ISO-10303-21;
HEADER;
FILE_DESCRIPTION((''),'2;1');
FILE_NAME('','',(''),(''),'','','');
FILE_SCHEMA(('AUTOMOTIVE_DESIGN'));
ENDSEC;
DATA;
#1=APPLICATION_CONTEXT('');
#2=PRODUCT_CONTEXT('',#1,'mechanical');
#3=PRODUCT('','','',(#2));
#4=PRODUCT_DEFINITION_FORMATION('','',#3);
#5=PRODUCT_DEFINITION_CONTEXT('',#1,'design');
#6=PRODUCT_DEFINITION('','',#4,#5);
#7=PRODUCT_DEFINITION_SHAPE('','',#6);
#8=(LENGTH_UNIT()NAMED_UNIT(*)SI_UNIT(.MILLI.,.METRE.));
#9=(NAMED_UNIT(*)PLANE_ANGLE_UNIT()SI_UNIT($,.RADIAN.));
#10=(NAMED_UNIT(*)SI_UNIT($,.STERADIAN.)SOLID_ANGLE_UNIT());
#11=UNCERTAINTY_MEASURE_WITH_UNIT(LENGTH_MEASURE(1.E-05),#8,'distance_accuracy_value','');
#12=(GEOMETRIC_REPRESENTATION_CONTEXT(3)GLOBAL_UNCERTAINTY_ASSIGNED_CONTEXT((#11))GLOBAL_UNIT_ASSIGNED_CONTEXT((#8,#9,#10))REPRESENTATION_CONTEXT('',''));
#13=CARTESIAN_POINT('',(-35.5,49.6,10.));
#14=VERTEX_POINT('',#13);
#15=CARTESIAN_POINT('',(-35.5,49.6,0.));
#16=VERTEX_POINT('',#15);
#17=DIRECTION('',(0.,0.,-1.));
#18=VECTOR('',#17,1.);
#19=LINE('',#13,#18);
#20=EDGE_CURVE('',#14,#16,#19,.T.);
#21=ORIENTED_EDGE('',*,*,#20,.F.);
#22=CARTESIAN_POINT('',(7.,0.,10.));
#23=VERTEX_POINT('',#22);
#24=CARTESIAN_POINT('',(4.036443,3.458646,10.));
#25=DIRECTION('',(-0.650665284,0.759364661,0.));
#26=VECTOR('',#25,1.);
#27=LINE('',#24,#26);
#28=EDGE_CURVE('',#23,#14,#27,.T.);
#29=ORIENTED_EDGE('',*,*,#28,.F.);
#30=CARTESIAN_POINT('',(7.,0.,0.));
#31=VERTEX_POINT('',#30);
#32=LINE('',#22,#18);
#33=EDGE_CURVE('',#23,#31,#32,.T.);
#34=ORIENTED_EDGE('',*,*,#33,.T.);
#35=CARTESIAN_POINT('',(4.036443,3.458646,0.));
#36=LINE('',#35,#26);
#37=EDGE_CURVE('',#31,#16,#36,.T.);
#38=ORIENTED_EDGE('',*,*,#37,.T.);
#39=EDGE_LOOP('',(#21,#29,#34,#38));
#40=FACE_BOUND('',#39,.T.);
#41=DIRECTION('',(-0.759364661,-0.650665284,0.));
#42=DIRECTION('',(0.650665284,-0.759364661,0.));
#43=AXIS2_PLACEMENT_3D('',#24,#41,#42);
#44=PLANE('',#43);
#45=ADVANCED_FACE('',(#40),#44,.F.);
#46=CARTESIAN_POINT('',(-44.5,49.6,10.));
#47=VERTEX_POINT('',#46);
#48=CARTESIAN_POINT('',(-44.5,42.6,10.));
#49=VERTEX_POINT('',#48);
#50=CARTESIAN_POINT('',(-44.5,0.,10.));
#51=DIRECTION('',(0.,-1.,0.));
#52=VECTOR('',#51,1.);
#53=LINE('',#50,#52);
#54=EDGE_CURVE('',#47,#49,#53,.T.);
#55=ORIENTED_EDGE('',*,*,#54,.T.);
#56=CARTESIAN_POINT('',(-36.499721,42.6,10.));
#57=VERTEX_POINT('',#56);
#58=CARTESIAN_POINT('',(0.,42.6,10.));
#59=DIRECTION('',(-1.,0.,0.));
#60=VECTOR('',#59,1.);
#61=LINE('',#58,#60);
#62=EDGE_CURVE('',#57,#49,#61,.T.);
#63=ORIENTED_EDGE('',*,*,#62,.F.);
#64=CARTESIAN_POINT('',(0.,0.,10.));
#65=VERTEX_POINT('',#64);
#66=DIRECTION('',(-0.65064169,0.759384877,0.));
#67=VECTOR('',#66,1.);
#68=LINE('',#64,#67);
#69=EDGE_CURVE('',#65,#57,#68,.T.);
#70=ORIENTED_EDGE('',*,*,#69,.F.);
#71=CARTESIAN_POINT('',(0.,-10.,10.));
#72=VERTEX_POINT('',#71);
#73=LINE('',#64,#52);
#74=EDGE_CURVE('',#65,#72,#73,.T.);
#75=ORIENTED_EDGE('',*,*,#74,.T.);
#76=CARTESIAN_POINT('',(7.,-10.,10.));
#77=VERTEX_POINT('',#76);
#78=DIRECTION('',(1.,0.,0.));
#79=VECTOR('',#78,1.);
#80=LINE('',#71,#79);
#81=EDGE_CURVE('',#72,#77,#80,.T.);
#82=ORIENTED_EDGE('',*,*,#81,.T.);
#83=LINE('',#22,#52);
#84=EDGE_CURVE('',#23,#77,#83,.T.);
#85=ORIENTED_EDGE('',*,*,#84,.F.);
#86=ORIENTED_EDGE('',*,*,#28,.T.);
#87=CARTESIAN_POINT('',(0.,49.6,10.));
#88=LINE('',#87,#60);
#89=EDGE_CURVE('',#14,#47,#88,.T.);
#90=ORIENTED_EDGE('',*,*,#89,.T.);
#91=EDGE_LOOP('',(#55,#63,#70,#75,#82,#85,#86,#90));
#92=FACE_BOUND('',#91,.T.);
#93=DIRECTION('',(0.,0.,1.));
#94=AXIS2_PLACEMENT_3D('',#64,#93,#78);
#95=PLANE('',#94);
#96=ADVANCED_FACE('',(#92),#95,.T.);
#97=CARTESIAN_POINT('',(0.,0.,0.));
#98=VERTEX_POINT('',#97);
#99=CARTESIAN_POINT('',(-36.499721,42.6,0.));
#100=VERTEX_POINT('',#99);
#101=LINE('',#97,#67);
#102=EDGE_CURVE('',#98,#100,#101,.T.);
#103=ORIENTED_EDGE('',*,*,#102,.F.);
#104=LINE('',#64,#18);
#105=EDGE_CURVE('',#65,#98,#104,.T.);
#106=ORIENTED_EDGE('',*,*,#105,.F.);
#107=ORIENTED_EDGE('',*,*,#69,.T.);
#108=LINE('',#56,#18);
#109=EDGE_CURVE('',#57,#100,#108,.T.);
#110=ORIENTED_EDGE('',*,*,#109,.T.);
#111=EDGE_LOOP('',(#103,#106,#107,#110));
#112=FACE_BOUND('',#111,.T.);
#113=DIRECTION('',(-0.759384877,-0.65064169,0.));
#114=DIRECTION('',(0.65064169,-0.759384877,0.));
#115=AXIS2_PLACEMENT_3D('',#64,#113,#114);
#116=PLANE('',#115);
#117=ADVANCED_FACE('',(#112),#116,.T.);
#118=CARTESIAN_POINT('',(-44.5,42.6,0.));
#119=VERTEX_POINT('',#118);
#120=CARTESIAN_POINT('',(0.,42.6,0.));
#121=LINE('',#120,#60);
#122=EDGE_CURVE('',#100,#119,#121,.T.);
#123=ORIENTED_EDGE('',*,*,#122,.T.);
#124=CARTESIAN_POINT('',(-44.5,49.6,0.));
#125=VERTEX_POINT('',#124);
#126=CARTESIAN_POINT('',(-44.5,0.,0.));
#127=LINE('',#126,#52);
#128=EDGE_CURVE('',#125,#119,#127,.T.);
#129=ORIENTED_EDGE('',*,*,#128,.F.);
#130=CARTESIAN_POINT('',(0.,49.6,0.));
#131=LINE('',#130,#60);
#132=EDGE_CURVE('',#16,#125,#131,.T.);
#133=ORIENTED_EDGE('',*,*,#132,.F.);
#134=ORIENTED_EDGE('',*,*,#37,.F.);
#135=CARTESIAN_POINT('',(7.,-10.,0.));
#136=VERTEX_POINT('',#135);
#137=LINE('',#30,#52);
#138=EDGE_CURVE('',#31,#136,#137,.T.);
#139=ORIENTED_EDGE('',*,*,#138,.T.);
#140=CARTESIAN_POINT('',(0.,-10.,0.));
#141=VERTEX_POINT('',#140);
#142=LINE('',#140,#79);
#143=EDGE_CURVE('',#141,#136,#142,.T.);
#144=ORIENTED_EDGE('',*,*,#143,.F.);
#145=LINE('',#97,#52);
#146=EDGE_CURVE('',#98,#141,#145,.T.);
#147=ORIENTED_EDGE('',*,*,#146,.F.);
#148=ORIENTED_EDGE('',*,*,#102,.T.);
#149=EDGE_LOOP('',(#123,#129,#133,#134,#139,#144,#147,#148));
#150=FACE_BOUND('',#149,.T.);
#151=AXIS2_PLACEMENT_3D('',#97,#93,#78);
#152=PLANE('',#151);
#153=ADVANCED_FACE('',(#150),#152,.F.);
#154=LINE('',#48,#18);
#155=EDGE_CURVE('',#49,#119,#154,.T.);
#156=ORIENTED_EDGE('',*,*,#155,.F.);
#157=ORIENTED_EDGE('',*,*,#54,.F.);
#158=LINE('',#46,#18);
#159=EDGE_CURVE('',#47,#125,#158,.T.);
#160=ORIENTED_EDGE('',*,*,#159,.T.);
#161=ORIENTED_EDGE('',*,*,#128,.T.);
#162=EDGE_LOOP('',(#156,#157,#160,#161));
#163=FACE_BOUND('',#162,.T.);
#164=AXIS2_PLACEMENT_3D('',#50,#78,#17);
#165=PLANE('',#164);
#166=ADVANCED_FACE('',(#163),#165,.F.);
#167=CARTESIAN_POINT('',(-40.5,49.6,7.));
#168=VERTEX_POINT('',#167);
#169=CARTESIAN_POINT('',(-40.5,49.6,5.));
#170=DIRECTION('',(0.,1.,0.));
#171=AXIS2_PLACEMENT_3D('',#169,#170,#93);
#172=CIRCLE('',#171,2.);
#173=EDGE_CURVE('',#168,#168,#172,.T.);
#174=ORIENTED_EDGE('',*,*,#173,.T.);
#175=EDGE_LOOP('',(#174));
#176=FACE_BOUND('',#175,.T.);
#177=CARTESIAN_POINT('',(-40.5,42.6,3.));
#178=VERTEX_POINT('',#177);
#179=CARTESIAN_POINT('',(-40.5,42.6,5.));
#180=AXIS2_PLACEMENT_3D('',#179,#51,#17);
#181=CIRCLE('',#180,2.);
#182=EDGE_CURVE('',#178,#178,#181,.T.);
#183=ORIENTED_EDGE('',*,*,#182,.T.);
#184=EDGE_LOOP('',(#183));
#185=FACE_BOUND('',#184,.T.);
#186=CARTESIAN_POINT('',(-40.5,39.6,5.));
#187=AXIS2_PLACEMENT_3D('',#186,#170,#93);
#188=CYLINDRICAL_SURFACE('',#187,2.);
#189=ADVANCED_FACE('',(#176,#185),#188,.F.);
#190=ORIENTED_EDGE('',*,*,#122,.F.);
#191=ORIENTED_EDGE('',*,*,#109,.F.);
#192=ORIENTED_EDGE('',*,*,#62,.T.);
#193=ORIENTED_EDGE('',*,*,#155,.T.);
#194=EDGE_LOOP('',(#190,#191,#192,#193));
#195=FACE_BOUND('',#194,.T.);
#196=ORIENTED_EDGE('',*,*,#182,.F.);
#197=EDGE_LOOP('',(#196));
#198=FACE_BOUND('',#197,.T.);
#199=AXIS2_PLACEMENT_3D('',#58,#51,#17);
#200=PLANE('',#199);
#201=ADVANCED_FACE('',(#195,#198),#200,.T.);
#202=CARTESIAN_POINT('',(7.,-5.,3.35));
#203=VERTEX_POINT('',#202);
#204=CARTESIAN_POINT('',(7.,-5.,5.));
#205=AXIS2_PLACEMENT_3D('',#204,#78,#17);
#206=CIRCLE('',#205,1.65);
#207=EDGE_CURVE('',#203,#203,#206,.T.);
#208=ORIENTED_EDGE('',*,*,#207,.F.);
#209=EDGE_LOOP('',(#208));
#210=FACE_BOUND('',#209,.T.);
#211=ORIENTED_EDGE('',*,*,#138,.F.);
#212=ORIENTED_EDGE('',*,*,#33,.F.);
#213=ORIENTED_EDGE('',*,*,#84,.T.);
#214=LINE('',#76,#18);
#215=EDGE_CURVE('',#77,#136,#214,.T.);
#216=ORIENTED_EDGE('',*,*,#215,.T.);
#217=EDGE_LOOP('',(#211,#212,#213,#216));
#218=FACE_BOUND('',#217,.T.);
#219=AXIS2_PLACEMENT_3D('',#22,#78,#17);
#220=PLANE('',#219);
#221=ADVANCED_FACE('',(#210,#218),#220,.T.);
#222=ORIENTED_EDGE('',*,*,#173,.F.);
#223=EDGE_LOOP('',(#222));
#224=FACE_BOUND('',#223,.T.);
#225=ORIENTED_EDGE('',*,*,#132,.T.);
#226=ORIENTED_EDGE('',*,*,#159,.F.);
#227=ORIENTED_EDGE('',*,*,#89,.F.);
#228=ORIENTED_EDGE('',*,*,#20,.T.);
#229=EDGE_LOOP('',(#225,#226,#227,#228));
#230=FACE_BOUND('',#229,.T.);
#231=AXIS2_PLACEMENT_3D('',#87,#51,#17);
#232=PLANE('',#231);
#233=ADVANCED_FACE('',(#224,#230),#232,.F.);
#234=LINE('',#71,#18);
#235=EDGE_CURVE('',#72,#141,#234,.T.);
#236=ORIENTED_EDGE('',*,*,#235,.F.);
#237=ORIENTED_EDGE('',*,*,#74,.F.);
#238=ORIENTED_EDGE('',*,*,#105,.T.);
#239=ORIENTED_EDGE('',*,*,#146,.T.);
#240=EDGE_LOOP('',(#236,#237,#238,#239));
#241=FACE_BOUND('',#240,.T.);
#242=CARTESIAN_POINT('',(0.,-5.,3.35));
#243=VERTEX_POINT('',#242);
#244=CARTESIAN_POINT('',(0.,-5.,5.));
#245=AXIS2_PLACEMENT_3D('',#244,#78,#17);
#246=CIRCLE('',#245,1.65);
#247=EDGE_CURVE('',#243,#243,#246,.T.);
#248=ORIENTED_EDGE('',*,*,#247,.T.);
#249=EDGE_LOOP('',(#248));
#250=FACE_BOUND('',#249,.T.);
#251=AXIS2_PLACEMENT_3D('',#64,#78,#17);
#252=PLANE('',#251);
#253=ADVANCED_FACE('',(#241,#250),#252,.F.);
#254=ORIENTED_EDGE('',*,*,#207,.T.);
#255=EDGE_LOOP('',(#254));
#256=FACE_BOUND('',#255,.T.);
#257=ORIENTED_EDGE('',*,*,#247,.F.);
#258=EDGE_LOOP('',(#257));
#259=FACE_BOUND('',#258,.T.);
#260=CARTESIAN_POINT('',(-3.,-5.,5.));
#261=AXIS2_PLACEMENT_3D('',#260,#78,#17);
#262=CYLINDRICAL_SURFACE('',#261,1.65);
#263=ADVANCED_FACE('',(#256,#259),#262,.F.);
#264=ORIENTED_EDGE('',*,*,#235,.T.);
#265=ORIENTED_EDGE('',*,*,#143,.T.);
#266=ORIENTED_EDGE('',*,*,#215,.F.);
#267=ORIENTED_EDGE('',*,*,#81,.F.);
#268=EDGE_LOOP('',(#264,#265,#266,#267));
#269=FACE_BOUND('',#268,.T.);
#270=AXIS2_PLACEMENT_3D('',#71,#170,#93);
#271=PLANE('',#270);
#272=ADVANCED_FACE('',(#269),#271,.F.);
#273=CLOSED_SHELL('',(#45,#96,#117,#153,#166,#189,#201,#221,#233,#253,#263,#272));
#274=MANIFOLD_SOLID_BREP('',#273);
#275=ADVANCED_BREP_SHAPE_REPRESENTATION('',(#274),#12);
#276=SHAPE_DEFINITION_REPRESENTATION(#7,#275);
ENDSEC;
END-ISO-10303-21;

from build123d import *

# Parameters (mm, degrees)
SALIENTE_EXTRUIR1_DEPTH = 10
CROQUIS3_R              = 2
CORTAR_EXTRUIR2_DEPTH   = 10
CROQUIS4_R              = 1.65
CORTAR_EXTRUIR3_DEPTH   = 10


with BuildPart() as part:
    # Croquis1 → Saliente-Extruir1 (new body)
    with BuildSketch(Plane.XY):
        Polygon((-36.499720763, 42.6), (0, 0), (0, -10), (7, -10), (7, 0), (-35.5, 49.6), (-44.5, 49.6), (-44.5, 42.6), align=None)
    extrude(amount=SALIENTE_EXTRUIR1_DEPTH)

    # Croquis3 → Cortar-Extruir2 (cut)
    with BuildSketch(Plane(origin=(0, 49.6, 0), x_dir=(1, 0, 0), z_dir=(0, 1, 0))):
        with Locations(Location((-40.5, -5, 0), (0, 0, 270))):
            Circle(CROQUIS3_R)
    extrude(amount=-CORTAR_EXTRUIR2_DEPTH, mode=Mode.SUBTRACT)

    # Croquis4 → Cortar-Extruir3 (cut)
    with BuildSketch(Plane(origin=(7, 0, 0), x_dir=(0, 0, -1), z_dir=(1, 0, 0))):
        with Locations((-5, -5)):
            Circle(CROQUIS4_R)
    extrude(amount=-CORTAR_EXTRUIR3_DEPTH, mode=Mode.SUBTRACT)


solid = part.part
